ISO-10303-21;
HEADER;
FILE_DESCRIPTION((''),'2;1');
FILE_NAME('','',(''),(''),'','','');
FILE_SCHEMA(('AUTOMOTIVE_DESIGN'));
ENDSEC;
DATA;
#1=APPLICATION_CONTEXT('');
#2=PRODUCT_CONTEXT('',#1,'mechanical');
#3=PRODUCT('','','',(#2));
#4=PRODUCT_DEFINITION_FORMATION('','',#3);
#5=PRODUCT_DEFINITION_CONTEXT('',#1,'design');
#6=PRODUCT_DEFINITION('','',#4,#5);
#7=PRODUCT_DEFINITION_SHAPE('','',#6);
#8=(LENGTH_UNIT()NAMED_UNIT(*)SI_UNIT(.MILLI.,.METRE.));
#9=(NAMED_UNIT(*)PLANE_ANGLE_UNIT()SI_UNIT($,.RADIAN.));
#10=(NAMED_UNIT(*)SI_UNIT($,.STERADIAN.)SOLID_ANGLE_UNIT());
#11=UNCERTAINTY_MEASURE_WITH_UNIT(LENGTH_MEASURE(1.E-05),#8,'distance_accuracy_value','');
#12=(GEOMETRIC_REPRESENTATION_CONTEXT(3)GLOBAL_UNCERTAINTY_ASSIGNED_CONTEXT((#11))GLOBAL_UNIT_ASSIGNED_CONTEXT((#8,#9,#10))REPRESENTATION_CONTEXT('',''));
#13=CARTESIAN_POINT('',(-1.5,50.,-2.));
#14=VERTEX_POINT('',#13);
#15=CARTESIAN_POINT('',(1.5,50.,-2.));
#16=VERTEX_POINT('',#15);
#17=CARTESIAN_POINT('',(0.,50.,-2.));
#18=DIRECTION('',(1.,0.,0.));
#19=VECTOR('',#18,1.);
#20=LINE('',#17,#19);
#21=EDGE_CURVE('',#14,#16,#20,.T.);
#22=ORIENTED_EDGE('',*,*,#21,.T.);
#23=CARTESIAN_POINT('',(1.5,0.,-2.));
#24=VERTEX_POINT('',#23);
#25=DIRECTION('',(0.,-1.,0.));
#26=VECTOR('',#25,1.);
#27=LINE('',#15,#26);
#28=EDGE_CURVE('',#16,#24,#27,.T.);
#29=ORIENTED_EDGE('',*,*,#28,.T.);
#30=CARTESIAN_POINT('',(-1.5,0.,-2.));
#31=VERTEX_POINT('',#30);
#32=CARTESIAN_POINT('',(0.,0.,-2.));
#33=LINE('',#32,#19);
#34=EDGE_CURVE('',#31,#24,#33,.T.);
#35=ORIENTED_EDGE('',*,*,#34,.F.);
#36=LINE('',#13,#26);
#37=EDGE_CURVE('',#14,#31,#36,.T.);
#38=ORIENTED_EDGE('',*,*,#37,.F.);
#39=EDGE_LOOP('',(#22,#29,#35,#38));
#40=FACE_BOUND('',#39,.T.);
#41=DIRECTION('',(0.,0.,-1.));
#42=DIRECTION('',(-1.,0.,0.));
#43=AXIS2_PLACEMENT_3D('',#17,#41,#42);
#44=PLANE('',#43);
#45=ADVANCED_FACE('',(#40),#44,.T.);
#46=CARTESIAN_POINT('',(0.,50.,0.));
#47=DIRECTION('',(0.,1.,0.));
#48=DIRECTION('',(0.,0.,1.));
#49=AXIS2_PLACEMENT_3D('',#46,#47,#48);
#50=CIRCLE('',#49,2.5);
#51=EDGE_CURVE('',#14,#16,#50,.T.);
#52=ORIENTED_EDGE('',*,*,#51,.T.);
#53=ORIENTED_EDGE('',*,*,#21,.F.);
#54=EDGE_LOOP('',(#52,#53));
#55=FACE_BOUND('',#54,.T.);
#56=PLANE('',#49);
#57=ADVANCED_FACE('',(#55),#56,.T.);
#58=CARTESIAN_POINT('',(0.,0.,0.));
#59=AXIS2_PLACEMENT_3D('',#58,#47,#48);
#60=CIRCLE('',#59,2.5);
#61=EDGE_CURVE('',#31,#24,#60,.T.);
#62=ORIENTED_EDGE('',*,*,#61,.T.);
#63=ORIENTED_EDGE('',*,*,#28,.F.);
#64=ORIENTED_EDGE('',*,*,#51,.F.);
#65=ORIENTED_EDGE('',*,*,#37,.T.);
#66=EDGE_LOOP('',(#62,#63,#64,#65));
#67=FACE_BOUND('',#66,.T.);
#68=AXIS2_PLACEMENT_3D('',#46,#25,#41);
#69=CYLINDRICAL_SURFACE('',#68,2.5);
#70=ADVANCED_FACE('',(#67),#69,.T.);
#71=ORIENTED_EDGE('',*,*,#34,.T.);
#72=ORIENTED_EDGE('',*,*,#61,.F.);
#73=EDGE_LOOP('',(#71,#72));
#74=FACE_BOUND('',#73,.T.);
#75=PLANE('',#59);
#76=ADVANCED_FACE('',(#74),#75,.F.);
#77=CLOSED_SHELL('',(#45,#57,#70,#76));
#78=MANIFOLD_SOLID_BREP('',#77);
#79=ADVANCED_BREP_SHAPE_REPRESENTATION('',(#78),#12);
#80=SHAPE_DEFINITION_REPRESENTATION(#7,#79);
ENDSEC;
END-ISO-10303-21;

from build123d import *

# Parameters (mm, degrees)
EXTRUDE_1_DEPTH = 50


with BuildPart() as part:
    # 草图1 → 凸台-拉伸1 (new body)
    with BuildSketch(Plane(origin=(0, 0, 0), x_dir=(1, 0, 0), z_dir=(0, 1, 0))):
        with BuildLine():
            Line((0, 2), (-1.5, 2))
            ThreePointArc((-1.5, 2), (-2.371708245, -0.790569415), (0, -2.5))
            Line((0, -2.5), (0, 2))
        make_face()
        with BuildLine():
            Line((1.5, 2), (0, 2))
            Line((0, 2), (0, -2.5))
            ThreePointArc((0, -2.5), (1.767766953, -1.767766953), (2.5, 0))
            ThreePointArc((2.5, 0), (2.236067977, 1.118033989), (1.5, 2))
        make_face()
    extrude(amount=EXTRUDE_1_DEPTH)


solid = part.part
